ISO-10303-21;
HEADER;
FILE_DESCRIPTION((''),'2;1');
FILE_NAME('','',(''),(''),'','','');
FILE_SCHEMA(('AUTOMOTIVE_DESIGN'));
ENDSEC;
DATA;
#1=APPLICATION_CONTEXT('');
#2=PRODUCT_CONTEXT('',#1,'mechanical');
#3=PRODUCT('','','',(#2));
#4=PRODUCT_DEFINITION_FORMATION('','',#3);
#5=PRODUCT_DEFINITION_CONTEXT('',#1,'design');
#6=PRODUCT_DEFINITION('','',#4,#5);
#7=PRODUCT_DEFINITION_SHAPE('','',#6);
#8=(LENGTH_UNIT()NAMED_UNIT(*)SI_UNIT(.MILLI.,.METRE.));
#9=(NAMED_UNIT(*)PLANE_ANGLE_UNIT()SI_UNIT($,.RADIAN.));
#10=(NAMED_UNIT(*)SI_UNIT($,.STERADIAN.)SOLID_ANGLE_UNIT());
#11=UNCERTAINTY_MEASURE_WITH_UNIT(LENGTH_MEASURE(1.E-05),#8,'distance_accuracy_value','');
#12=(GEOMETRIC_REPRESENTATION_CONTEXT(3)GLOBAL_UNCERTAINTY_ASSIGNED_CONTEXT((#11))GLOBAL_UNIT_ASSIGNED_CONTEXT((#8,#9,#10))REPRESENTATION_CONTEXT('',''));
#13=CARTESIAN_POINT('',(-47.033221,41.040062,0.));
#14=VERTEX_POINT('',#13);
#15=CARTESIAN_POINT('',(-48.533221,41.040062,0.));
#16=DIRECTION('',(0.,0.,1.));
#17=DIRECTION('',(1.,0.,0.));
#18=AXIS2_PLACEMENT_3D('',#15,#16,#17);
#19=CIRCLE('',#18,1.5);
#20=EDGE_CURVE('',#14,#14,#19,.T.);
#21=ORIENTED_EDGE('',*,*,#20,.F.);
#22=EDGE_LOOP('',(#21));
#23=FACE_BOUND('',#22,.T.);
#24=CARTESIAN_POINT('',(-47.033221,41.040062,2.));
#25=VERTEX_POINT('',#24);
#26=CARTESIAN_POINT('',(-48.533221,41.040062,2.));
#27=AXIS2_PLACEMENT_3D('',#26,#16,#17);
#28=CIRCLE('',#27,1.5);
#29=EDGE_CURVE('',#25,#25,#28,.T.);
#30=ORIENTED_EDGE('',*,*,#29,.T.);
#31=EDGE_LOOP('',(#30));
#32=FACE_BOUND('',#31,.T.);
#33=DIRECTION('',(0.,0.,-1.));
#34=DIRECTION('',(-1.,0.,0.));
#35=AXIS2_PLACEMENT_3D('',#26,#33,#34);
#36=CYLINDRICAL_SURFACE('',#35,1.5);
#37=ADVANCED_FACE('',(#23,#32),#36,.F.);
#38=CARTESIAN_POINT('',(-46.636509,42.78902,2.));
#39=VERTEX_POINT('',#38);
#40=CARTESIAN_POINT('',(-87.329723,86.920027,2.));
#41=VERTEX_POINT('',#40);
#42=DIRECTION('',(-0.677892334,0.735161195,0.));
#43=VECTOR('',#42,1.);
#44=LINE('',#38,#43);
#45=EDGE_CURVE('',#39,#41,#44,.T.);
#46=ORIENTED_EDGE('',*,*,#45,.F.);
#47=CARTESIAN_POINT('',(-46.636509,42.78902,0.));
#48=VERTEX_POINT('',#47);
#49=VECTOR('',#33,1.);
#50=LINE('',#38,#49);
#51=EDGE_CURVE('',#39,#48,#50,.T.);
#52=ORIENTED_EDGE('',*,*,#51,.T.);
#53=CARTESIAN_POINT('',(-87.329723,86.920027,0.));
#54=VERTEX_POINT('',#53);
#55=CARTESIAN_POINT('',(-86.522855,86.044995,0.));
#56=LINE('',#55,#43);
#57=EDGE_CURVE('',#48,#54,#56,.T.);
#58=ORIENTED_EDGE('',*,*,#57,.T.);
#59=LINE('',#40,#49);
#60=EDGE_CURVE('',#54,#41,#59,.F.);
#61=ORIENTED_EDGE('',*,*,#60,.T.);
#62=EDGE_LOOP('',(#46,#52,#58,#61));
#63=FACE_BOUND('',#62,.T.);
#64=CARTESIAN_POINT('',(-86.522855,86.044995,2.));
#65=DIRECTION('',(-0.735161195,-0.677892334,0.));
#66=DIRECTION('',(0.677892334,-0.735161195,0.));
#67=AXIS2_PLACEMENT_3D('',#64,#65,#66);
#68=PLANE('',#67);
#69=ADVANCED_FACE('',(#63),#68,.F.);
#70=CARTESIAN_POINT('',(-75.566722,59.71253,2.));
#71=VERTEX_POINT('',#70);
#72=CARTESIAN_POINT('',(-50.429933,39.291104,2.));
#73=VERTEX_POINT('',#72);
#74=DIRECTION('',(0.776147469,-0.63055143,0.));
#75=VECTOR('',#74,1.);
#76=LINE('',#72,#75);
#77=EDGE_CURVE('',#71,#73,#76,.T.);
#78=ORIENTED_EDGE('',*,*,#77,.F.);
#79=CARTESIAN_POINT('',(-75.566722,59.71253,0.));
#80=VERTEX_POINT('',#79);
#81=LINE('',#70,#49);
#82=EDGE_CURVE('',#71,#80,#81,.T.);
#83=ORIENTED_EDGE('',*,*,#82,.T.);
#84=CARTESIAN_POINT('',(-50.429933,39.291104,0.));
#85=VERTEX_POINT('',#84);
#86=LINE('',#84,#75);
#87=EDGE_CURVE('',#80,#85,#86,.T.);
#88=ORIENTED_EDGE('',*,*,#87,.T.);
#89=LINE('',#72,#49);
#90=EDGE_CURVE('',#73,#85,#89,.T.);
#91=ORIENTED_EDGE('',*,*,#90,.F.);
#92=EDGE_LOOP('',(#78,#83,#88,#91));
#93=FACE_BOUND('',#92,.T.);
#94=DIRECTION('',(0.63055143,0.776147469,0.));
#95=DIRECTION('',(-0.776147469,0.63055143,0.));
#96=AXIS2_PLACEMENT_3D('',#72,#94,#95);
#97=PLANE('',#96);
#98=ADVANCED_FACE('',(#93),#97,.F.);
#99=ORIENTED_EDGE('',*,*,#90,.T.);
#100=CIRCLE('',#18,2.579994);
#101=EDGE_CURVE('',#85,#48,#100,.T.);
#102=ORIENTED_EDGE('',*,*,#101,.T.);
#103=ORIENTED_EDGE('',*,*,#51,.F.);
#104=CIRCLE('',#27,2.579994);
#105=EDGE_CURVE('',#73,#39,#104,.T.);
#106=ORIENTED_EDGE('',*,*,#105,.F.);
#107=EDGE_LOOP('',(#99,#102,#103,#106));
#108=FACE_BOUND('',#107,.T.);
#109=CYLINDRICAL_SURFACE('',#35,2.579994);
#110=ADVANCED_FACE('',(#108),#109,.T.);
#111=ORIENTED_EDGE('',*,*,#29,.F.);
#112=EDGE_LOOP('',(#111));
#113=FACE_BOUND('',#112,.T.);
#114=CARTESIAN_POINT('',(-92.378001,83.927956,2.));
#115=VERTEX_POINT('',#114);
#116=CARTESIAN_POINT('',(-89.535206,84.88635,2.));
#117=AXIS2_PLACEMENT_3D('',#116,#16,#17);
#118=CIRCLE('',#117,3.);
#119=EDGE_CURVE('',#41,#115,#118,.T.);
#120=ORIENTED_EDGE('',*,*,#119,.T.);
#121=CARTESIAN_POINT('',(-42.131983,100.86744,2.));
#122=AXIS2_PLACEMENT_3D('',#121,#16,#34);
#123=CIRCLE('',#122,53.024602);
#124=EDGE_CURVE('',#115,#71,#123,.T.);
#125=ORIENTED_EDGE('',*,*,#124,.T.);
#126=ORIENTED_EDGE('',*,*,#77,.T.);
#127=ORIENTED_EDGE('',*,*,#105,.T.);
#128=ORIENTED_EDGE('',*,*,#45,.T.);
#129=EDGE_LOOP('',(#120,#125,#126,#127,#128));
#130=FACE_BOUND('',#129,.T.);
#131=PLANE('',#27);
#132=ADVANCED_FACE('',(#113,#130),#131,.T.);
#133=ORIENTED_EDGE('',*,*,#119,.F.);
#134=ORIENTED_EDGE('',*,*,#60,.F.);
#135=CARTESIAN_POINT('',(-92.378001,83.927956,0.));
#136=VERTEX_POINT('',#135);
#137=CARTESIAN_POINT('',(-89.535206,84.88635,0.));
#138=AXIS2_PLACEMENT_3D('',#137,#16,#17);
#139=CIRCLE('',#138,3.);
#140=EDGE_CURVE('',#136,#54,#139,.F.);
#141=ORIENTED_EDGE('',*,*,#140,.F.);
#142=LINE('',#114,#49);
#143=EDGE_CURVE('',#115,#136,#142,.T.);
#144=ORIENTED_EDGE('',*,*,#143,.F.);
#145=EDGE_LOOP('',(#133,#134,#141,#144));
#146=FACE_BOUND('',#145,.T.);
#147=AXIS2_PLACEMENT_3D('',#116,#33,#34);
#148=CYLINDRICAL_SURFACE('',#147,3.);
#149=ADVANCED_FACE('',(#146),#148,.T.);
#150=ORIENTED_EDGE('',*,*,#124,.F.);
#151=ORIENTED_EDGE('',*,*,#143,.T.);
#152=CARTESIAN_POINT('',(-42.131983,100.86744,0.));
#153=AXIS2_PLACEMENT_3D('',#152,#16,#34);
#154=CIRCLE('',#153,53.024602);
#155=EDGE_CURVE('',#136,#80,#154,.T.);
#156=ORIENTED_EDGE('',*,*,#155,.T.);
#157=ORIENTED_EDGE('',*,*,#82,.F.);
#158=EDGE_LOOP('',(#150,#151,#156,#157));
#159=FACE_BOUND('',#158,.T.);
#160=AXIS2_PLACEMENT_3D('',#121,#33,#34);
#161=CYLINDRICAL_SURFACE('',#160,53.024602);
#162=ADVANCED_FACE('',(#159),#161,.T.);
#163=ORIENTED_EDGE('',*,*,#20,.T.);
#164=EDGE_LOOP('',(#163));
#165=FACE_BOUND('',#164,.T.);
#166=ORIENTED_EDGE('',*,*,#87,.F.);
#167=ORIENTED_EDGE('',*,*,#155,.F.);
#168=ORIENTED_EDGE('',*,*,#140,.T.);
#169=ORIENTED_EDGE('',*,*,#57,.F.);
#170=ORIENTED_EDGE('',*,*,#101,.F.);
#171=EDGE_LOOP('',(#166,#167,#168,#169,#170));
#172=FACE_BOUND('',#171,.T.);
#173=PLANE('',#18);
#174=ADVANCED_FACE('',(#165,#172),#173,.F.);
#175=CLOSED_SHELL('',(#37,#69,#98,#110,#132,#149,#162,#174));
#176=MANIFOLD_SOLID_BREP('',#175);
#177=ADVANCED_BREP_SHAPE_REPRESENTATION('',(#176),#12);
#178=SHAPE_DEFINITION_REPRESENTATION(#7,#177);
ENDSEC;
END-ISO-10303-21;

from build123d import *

# Parameters (mm, degrees)
SKETCH1_R           = 1.5
BOSS_EXTRUDE1_DEPTH = 2
FILLET1_R           = 3


with BuildPart() as part:
    # Sketch1 → Boss-Extrude1 (new body)
    with BuildSketch(Plane.XY):
        with BuildLine():
            Line((-46.636509162, 42.789020236), (-50.060973508, 46.502785938))
            Line((-50.060973508, 46.502785938), (-86.522855439, 86.04499543))
            Line((-86.522855439, 86.04499543), (-94.837872086, 95.062471017))
            ThreePointArc((-94.837872086, 95.062471017), (-88.687933444, 75.487292789), (-75.566721617, 59.712529776))
            Line((-75.566721617, 59.712529776), (-50.429932547, 39.291103519))
            ThreePointArc((-50.429932547, 39.291103519), (-46.784262496, 39.143350184), (-46.636509162, 42.789020236))
        make_face()
        with Locations((-48.533220855, 41.040061877)):
            Circle(SKETCH1_R, mode=Mode.SUBTRACT)
    extrude(amount=BOSS_EXTRUDE1_DEPTH)

    # Fillet1
    fillet1_edges = [part.edges().sort_by_distance(p)[0] for p in [
        (-94.837872086, 95.062471017, 1),
    ]]
    fillet(fillet1_edges, radius=FILLET1_R)


solid = part.part
